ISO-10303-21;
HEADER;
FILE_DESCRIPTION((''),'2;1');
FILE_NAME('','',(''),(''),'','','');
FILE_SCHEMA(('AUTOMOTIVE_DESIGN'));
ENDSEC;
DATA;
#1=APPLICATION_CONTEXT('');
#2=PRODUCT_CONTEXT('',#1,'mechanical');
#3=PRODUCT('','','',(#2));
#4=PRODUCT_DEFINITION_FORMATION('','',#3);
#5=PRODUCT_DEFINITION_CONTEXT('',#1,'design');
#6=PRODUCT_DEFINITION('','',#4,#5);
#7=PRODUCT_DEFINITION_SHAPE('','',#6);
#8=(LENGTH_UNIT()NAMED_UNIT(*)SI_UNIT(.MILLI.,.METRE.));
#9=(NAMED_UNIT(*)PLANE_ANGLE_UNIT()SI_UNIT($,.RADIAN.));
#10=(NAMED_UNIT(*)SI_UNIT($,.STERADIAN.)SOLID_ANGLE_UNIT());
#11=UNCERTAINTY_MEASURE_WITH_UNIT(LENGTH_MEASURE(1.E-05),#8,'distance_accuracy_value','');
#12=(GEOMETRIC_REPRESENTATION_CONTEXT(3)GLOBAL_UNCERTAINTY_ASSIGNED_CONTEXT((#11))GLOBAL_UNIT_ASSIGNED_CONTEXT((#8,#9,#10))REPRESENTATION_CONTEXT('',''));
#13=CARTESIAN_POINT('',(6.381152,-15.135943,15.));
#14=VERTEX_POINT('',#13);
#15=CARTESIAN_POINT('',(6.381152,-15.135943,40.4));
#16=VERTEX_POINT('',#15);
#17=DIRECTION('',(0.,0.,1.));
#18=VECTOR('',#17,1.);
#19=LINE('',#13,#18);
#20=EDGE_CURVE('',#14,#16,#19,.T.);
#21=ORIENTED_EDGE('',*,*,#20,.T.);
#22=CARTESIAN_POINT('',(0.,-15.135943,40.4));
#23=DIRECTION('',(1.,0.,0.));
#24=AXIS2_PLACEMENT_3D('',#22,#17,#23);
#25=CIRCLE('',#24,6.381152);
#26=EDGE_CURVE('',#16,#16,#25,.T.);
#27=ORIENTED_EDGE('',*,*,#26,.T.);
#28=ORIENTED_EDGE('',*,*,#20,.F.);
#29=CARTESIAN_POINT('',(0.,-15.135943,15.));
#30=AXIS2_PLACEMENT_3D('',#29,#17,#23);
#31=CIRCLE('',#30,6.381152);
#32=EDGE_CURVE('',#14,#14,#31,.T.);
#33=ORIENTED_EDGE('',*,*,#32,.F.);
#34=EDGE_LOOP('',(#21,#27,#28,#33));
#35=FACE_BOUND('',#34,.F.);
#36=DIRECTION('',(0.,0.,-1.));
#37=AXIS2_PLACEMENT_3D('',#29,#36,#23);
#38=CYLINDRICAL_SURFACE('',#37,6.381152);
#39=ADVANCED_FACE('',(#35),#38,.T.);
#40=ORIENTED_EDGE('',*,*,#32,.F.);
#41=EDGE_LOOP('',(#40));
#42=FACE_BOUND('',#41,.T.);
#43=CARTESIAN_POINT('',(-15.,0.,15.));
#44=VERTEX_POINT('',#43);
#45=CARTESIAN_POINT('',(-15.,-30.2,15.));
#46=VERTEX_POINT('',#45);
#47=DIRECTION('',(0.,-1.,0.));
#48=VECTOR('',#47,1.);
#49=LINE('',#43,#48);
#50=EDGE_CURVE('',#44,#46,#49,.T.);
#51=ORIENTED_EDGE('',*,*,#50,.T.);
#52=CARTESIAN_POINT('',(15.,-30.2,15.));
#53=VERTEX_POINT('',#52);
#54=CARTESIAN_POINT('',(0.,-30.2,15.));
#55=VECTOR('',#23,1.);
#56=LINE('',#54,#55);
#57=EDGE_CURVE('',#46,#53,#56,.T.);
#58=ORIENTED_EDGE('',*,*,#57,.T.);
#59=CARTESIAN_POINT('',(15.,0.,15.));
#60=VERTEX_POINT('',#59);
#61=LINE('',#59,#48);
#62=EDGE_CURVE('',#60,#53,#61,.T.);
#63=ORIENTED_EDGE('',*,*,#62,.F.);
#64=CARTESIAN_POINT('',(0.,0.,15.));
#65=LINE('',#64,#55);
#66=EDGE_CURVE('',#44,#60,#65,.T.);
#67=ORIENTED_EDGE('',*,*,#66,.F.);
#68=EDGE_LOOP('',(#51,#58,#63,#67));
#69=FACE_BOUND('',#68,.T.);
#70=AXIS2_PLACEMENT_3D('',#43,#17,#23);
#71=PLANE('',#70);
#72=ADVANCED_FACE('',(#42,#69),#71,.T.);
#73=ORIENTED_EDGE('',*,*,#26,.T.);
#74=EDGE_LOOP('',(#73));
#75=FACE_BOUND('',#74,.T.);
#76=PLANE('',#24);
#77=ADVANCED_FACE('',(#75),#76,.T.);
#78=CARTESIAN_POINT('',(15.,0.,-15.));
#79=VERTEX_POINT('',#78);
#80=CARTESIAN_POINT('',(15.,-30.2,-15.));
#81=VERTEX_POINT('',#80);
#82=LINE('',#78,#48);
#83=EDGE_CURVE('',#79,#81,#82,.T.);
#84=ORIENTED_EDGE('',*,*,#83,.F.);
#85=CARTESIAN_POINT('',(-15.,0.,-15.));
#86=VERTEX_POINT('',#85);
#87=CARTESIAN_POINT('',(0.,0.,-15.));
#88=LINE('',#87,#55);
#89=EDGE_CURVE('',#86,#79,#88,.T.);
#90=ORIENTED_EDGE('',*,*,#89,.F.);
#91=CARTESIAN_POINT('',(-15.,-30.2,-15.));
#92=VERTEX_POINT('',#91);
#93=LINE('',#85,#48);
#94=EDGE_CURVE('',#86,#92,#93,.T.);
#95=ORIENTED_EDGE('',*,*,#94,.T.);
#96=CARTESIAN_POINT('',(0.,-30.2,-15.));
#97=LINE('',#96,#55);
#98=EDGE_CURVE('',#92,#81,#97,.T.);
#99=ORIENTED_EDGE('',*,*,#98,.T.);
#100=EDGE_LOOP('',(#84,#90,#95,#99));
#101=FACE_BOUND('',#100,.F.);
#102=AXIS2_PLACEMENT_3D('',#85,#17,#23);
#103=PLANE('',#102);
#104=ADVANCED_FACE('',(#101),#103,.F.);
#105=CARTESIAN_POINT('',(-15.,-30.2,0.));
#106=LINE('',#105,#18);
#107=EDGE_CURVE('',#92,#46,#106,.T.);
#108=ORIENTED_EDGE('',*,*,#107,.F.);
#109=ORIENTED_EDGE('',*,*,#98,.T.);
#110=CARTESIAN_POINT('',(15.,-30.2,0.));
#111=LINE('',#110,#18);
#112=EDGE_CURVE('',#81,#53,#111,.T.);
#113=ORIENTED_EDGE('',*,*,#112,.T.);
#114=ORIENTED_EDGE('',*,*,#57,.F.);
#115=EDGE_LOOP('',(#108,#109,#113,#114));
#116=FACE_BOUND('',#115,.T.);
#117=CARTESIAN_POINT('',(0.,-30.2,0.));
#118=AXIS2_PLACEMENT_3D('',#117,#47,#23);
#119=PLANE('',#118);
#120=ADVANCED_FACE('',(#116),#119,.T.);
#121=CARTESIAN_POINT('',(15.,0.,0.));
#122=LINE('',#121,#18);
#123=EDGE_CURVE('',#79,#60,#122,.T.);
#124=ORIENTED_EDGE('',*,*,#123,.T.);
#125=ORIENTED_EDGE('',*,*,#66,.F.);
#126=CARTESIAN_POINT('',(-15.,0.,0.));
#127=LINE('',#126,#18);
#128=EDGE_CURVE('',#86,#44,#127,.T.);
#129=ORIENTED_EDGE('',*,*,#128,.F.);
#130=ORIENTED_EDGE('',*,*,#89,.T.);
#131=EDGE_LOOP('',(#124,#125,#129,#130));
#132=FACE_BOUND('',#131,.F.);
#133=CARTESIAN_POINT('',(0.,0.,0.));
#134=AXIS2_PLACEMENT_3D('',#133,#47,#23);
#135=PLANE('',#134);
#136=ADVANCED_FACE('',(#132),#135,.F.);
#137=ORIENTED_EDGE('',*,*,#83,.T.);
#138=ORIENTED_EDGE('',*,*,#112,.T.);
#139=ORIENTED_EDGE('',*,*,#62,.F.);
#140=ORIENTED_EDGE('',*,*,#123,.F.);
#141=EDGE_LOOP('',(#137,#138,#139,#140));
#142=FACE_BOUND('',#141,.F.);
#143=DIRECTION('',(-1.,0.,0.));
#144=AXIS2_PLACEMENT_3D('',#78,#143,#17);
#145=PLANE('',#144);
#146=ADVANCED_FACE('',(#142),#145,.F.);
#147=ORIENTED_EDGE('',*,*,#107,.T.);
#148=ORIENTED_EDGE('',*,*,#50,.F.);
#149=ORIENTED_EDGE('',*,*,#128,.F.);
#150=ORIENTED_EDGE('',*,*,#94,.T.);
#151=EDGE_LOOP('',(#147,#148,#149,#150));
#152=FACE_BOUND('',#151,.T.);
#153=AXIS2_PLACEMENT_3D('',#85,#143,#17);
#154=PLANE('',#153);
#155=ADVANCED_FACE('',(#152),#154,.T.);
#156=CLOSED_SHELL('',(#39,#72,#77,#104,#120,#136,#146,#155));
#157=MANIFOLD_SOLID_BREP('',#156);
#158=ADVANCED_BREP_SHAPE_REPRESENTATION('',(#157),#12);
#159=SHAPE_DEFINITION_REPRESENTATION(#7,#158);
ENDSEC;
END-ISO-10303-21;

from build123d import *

# Parameters (mm, degrees)
F0_W     = 30
F0_H     = 30
F1_DEPTH = 30.2
F2_R     = 6.381152
F3_DEPTH = 25.4


with BuildPart() as f1:
    # F0 (on Front) → F1 (new body)
    with BuildSketch(Plane.XZ):
        Rectangle(F0_W, F0_H)
    extrude(amount=F1_DEPTH)

    # F2 (on face) → F3 (join)
    with BuildSketch(Plane.XY.offset(15)):
        with Locations((0, -15.135943)):
            Circle(F2_R)
    extrude(amount=F3_DEPTH)


solid = f1.part
